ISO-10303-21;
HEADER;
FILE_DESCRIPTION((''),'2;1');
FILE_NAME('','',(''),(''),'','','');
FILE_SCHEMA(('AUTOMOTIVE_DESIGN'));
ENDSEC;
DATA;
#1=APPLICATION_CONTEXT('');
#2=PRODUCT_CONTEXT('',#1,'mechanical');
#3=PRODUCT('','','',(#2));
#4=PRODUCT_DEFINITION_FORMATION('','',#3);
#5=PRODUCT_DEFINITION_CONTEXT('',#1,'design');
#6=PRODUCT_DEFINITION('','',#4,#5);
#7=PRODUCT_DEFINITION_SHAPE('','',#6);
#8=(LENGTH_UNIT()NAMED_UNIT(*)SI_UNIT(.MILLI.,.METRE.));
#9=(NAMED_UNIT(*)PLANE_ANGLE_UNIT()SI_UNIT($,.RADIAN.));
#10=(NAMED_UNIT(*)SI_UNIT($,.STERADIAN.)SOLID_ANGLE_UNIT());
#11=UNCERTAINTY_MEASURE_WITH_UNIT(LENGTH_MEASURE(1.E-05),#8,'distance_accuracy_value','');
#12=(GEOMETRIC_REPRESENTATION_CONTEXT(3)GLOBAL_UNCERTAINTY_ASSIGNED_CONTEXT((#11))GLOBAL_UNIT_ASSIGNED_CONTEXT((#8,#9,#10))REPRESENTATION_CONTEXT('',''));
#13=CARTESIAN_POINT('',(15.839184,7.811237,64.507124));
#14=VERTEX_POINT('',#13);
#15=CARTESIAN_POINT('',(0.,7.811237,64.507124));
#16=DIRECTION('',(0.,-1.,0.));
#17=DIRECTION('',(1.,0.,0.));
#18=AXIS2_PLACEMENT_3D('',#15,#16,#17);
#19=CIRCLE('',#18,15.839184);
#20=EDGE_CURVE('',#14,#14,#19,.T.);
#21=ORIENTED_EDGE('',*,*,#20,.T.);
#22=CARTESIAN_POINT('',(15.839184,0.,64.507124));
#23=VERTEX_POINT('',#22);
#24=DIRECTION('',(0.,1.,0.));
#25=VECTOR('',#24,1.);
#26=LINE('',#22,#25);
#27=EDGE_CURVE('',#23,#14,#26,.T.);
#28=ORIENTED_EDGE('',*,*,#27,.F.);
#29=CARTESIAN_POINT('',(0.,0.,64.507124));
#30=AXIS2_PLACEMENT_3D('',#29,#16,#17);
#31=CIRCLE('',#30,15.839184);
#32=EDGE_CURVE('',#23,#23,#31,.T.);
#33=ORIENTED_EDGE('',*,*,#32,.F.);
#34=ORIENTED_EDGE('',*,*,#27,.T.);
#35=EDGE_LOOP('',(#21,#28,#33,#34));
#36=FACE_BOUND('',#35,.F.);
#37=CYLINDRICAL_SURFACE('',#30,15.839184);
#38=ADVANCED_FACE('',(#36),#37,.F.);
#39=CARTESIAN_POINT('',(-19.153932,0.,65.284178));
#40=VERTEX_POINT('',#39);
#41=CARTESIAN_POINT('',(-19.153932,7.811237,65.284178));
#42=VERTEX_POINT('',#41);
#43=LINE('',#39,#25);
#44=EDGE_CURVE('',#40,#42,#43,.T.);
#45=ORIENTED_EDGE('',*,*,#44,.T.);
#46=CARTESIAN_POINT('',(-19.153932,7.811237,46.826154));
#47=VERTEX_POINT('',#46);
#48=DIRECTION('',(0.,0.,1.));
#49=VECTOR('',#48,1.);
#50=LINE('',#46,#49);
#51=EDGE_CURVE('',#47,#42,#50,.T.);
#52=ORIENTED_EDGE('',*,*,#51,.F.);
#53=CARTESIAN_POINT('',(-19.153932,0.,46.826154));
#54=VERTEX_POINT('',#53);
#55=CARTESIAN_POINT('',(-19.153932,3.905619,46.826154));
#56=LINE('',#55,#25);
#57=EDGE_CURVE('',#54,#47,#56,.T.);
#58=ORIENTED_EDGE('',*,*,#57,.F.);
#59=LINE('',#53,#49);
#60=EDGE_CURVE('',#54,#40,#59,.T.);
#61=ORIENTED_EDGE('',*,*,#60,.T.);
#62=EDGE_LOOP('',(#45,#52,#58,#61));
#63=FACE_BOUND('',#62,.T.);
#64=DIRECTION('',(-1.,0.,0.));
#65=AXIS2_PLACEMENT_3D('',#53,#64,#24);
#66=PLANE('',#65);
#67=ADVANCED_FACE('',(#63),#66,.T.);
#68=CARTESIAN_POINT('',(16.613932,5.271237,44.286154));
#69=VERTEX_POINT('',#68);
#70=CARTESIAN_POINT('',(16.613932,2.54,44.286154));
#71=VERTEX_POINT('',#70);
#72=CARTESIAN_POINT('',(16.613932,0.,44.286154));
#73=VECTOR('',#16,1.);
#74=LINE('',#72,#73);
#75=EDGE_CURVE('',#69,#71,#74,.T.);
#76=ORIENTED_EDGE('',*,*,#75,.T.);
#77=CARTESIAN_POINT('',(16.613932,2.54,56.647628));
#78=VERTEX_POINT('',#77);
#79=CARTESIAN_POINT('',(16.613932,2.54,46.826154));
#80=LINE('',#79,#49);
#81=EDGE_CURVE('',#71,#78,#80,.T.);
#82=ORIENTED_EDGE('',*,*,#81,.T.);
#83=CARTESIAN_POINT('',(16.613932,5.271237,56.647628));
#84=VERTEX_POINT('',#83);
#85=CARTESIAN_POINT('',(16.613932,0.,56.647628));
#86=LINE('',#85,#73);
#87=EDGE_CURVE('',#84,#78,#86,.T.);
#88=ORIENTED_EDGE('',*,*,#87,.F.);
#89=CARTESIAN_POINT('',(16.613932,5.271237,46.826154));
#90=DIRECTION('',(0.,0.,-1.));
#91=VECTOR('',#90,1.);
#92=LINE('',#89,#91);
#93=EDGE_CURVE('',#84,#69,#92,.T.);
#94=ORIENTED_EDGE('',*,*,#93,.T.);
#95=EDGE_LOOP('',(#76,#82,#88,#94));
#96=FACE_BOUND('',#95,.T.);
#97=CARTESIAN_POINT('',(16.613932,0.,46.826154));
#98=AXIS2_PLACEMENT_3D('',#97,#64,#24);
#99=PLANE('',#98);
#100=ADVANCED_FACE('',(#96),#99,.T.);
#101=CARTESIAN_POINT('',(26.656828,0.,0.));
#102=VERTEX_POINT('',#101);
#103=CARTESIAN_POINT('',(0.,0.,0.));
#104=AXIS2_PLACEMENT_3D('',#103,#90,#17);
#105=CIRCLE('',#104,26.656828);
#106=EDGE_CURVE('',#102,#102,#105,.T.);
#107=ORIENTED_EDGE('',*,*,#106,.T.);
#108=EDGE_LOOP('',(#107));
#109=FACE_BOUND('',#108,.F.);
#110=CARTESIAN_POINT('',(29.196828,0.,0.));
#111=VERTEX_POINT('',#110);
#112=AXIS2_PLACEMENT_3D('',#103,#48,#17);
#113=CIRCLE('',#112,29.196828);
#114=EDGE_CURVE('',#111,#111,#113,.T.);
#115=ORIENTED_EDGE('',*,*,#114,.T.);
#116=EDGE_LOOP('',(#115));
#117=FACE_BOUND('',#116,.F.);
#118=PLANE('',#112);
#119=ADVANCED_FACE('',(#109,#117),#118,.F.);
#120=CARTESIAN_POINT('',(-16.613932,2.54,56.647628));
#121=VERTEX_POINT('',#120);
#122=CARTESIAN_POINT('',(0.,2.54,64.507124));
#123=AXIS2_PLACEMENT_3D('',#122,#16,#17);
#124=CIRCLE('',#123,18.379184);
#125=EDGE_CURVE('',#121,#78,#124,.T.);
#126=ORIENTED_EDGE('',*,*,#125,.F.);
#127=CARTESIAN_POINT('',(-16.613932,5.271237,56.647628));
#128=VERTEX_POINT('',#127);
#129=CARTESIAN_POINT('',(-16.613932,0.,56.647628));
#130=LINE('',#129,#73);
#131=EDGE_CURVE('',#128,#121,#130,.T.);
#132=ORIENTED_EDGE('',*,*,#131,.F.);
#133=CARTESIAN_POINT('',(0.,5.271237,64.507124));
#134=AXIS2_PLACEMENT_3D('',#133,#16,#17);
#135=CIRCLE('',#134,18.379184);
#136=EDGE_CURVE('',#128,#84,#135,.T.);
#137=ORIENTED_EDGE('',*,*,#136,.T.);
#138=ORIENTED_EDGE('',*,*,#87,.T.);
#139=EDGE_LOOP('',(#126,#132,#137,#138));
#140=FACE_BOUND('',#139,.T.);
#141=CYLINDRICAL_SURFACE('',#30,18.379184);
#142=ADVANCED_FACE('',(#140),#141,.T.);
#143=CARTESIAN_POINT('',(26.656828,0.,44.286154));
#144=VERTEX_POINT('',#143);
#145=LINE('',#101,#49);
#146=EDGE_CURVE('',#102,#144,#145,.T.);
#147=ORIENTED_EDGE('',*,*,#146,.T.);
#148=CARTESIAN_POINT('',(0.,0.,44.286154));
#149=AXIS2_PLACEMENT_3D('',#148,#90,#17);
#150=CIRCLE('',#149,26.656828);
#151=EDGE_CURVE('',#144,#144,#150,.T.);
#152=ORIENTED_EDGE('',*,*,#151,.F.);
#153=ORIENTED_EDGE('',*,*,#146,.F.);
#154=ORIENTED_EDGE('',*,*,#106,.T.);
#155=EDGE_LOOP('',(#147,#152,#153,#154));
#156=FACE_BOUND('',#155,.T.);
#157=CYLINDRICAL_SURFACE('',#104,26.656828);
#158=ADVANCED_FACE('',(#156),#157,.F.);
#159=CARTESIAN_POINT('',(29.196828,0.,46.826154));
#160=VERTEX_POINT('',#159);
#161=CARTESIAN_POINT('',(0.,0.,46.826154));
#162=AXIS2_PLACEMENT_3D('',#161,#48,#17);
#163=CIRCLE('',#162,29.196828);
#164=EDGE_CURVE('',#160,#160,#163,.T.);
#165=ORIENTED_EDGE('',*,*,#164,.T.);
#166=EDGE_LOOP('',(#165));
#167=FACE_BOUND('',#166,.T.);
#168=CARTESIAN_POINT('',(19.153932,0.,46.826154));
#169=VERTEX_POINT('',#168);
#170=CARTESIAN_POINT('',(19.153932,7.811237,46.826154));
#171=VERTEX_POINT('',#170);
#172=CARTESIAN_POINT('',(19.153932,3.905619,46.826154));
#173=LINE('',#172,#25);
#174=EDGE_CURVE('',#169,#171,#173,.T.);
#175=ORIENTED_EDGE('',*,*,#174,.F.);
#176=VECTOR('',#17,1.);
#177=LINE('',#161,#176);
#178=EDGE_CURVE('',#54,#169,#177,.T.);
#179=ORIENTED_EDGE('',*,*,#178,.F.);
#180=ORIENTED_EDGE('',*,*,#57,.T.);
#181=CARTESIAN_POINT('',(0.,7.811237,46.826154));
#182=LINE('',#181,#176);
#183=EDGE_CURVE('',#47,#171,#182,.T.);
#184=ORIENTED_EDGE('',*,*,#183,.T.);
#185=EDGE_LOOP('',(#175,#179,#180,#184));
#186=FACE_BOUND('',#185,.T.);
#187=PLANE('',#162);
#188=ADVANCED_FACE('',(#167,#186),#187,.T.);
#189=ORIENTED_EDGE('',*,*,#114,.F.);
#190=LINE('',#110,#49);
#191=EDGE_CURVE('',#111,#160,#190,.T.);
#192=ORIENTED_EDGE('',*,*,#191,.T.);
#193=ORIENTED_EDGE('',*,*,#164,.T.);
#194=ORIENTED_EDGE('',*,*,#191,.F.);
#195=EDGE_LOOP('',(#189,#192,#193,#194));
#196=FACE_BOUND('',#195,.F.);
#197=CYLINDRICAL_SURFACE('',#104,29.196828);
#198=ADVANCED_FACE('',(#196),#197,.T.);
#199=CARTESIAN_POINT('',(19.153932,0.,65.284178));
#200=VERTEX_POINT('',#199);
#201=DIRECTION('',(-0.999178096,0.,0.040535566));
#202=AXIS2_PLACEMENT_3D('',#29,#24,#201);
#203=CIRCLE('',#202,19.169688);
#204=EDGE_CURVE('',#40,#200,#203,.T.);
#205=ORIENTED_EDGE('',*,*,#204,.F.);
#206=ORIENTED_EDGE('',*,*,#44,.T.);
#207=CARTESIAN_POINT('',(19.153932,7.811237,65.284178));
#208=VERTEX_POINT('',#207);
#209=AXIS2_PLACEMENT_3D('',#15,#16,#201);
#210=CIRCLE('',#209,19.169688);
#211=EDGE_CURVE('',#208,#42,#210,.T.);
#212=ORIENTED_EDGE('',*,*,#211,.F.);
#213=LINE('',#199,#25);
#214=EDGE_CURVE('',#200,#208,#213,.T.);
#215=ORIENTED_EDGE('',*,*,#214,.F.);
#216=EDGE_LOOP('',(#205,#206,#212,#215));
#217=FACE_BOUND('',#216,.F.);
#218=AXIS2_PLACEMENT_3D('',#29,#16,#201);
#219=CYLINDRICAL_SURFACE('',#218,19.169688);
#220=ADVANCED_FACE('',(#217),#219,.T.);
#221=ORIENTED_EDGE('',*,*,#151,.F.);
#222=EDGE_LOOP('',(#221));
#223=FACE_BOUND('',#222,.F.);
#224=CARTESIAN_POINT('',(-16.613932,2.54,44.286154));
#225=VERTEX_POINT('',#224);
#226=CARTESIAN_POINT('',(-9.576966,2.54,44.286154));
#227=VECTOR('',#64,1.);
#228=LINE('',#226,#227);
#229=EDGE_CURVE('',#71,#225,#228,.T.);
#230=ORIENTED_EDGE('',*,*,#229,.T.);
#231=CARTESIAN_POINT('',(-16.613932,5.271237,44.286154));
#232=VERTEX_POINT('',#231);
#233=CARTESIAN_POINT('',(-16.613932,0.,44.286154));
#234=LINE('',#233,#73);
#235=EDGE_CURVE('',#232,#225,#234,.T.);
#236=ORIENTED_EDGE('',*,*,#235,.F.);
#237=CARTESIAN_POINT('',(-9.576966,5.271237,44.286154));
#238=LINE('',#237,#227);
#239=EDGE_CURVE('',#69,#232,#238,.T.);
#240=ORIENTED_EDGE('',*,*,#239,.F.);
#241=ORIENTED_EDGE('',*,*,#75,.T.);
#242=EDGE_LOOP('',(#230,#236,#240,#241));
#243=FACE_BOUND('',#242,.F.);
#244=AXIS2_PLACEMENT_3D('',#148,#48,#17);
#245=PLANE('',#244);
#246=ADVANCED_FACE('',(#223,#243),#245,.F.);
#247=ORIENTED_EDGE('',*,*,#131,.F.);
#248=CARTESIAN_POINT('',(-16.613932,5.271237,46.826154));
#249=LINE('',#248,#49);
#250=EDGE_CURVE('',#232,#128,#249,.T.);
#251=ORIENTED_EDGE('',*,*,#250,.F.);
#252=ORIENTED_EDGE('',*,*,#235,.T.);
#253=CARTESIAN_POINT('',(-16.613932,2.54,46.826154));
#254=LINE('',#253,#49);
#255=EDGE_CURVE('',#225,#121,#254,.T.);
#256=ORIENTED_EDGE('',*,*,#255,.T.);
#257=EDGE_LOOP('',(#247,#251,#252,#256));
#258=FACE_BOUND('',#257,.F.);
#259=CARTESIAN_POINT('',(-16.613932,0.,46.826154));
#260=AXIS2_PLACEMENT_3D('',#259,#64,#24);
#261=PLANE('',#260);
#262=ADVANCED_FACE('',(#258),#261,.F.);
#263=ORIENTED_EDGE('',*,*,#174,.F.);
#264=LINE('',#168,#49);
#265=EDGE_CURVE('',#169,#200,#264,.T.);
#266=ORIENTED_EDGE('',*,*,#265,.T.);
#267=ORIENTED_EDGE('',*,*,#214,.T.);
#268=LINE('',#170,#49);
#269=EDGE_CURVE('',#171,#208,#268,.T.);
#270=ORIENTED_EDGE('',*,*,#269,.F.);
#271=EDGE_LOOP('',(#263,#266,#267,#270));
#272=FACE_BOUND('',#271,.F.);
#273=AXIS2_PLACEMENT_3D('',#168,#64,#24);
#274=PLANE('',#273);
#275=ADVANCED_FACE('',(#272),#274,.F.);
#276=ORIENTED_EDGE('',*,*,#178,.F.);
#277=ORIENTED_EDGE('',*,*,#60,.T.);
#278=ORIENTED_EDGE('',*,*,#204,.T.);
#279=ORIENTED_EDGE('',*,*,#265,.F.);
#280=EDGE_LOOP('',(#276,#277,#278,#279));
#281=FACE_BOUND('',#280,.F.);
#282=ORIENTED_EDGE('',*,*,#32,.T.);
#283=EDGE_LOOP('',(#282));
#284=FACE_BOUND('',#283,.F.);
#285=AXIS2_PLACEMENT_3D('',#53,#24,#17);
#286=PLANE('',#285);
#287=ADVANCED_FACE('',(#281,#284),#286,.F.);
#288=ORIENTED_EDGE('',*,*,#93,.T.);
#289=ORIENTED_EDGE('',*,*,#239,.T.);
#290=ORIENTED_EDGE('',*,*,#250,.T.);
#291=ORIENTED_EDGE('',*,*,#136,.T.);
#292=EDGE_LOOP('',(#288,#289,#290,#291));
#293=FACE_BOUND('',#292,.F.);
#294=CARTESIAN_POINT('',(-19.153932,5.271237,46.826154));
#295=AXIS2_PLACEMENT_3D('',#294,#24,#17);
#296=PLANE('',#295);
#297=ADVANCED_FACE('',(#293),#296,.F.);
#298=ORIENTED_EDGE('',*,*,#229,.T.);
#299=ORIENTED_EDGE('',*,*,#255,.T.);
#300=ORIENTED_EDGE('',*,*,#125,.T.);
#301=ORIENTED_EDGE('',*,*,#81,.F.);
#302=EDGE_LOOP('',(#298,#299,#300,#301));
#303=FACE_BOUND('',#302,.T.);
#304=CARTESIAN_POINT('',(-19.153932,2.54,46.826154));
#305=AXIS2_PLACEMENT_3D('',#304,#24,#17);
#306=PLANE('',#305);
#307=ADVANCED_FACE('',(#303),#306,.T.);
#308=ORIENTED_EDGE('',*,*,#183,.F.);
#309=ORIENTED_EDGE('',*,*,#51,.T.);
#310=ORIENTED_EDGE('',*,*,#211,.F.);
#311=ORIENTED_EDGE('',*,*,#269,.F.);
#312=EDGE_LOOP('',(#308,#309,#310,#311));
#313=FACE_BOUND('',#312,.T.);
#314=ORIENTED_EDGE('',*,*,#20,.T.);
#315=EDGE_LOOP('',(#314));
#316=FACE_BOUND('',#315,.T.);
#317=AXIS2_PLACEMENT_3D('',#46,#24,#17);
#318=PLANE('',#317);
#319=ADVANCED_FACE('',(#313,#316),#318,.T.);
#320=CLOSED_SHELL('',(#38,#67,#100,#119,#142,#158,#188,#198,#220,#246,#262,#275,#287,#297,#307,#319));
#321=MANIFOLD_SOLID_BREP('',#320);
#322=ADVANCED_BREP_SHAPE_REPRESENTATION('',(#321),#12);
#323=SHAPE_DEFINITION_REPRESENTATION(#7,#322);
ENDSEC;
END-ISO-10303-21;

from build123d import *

# Parameters (mm, degrees)
F0_R     = 29.1968279335
F1_DEPTH = 46.8261539936
F2_W     = 38.307864219
F2_H     = 7.8112371266
F3_DEPTH = 36.9160473347
F4_R     = 15.8391842582
F5_DEPTH = 29.1978279335
F6_T     = -2.54


with BuildPart() as f1:
    # F0 (on Top) → F1 (new body)
    with BuildSketch(Plane.XY):
        Circle(F0_R)
    extrude(amount=F1_DEPTH)

    # F2 (on face) → F3 (join)
    with BuildSketch(Plane.XY.offset(46.8261539936)):
        with Locations((0, 3.9056185633)):
            Rectangle(F2_W, F2_H)
    extrude(amount=F3_DEPTH)

    # F4 (on face) → F5 (cut, through all)
    with BuildSketch(Plane.XZ):
        with Locations((0, 64.5071235189)):
            Circle(F4_R)
        with BuildLine():
            ThreePointArc((-19.1539321095, 65.2841776609), (0, 83.6768112679), (19.1539321095, 65.2841776609))
            Line((19.1539321095, 65.2841776609), (19.1539321095, 83.7422013283))
            Line((19.1539321095, 83.7422013283), (-19.1539321095, 83.7422013283))
            Line((-19.1539321095, 83.7422013283), (-19.1539321095, 65.2841776609))
        make_face()
    extrude(amount=-F5_DEPTH, mode=Mode.SUBTRACT)

    # F6
    f6_openings = [f1.faces().sort_by_distance(p)[0] for p in [
        (0, 0, 0),
    ]]
    offset(amount=F6_T, openings=f6_openings, kind=Kind.INTERSECTION)


solid = f1.part
